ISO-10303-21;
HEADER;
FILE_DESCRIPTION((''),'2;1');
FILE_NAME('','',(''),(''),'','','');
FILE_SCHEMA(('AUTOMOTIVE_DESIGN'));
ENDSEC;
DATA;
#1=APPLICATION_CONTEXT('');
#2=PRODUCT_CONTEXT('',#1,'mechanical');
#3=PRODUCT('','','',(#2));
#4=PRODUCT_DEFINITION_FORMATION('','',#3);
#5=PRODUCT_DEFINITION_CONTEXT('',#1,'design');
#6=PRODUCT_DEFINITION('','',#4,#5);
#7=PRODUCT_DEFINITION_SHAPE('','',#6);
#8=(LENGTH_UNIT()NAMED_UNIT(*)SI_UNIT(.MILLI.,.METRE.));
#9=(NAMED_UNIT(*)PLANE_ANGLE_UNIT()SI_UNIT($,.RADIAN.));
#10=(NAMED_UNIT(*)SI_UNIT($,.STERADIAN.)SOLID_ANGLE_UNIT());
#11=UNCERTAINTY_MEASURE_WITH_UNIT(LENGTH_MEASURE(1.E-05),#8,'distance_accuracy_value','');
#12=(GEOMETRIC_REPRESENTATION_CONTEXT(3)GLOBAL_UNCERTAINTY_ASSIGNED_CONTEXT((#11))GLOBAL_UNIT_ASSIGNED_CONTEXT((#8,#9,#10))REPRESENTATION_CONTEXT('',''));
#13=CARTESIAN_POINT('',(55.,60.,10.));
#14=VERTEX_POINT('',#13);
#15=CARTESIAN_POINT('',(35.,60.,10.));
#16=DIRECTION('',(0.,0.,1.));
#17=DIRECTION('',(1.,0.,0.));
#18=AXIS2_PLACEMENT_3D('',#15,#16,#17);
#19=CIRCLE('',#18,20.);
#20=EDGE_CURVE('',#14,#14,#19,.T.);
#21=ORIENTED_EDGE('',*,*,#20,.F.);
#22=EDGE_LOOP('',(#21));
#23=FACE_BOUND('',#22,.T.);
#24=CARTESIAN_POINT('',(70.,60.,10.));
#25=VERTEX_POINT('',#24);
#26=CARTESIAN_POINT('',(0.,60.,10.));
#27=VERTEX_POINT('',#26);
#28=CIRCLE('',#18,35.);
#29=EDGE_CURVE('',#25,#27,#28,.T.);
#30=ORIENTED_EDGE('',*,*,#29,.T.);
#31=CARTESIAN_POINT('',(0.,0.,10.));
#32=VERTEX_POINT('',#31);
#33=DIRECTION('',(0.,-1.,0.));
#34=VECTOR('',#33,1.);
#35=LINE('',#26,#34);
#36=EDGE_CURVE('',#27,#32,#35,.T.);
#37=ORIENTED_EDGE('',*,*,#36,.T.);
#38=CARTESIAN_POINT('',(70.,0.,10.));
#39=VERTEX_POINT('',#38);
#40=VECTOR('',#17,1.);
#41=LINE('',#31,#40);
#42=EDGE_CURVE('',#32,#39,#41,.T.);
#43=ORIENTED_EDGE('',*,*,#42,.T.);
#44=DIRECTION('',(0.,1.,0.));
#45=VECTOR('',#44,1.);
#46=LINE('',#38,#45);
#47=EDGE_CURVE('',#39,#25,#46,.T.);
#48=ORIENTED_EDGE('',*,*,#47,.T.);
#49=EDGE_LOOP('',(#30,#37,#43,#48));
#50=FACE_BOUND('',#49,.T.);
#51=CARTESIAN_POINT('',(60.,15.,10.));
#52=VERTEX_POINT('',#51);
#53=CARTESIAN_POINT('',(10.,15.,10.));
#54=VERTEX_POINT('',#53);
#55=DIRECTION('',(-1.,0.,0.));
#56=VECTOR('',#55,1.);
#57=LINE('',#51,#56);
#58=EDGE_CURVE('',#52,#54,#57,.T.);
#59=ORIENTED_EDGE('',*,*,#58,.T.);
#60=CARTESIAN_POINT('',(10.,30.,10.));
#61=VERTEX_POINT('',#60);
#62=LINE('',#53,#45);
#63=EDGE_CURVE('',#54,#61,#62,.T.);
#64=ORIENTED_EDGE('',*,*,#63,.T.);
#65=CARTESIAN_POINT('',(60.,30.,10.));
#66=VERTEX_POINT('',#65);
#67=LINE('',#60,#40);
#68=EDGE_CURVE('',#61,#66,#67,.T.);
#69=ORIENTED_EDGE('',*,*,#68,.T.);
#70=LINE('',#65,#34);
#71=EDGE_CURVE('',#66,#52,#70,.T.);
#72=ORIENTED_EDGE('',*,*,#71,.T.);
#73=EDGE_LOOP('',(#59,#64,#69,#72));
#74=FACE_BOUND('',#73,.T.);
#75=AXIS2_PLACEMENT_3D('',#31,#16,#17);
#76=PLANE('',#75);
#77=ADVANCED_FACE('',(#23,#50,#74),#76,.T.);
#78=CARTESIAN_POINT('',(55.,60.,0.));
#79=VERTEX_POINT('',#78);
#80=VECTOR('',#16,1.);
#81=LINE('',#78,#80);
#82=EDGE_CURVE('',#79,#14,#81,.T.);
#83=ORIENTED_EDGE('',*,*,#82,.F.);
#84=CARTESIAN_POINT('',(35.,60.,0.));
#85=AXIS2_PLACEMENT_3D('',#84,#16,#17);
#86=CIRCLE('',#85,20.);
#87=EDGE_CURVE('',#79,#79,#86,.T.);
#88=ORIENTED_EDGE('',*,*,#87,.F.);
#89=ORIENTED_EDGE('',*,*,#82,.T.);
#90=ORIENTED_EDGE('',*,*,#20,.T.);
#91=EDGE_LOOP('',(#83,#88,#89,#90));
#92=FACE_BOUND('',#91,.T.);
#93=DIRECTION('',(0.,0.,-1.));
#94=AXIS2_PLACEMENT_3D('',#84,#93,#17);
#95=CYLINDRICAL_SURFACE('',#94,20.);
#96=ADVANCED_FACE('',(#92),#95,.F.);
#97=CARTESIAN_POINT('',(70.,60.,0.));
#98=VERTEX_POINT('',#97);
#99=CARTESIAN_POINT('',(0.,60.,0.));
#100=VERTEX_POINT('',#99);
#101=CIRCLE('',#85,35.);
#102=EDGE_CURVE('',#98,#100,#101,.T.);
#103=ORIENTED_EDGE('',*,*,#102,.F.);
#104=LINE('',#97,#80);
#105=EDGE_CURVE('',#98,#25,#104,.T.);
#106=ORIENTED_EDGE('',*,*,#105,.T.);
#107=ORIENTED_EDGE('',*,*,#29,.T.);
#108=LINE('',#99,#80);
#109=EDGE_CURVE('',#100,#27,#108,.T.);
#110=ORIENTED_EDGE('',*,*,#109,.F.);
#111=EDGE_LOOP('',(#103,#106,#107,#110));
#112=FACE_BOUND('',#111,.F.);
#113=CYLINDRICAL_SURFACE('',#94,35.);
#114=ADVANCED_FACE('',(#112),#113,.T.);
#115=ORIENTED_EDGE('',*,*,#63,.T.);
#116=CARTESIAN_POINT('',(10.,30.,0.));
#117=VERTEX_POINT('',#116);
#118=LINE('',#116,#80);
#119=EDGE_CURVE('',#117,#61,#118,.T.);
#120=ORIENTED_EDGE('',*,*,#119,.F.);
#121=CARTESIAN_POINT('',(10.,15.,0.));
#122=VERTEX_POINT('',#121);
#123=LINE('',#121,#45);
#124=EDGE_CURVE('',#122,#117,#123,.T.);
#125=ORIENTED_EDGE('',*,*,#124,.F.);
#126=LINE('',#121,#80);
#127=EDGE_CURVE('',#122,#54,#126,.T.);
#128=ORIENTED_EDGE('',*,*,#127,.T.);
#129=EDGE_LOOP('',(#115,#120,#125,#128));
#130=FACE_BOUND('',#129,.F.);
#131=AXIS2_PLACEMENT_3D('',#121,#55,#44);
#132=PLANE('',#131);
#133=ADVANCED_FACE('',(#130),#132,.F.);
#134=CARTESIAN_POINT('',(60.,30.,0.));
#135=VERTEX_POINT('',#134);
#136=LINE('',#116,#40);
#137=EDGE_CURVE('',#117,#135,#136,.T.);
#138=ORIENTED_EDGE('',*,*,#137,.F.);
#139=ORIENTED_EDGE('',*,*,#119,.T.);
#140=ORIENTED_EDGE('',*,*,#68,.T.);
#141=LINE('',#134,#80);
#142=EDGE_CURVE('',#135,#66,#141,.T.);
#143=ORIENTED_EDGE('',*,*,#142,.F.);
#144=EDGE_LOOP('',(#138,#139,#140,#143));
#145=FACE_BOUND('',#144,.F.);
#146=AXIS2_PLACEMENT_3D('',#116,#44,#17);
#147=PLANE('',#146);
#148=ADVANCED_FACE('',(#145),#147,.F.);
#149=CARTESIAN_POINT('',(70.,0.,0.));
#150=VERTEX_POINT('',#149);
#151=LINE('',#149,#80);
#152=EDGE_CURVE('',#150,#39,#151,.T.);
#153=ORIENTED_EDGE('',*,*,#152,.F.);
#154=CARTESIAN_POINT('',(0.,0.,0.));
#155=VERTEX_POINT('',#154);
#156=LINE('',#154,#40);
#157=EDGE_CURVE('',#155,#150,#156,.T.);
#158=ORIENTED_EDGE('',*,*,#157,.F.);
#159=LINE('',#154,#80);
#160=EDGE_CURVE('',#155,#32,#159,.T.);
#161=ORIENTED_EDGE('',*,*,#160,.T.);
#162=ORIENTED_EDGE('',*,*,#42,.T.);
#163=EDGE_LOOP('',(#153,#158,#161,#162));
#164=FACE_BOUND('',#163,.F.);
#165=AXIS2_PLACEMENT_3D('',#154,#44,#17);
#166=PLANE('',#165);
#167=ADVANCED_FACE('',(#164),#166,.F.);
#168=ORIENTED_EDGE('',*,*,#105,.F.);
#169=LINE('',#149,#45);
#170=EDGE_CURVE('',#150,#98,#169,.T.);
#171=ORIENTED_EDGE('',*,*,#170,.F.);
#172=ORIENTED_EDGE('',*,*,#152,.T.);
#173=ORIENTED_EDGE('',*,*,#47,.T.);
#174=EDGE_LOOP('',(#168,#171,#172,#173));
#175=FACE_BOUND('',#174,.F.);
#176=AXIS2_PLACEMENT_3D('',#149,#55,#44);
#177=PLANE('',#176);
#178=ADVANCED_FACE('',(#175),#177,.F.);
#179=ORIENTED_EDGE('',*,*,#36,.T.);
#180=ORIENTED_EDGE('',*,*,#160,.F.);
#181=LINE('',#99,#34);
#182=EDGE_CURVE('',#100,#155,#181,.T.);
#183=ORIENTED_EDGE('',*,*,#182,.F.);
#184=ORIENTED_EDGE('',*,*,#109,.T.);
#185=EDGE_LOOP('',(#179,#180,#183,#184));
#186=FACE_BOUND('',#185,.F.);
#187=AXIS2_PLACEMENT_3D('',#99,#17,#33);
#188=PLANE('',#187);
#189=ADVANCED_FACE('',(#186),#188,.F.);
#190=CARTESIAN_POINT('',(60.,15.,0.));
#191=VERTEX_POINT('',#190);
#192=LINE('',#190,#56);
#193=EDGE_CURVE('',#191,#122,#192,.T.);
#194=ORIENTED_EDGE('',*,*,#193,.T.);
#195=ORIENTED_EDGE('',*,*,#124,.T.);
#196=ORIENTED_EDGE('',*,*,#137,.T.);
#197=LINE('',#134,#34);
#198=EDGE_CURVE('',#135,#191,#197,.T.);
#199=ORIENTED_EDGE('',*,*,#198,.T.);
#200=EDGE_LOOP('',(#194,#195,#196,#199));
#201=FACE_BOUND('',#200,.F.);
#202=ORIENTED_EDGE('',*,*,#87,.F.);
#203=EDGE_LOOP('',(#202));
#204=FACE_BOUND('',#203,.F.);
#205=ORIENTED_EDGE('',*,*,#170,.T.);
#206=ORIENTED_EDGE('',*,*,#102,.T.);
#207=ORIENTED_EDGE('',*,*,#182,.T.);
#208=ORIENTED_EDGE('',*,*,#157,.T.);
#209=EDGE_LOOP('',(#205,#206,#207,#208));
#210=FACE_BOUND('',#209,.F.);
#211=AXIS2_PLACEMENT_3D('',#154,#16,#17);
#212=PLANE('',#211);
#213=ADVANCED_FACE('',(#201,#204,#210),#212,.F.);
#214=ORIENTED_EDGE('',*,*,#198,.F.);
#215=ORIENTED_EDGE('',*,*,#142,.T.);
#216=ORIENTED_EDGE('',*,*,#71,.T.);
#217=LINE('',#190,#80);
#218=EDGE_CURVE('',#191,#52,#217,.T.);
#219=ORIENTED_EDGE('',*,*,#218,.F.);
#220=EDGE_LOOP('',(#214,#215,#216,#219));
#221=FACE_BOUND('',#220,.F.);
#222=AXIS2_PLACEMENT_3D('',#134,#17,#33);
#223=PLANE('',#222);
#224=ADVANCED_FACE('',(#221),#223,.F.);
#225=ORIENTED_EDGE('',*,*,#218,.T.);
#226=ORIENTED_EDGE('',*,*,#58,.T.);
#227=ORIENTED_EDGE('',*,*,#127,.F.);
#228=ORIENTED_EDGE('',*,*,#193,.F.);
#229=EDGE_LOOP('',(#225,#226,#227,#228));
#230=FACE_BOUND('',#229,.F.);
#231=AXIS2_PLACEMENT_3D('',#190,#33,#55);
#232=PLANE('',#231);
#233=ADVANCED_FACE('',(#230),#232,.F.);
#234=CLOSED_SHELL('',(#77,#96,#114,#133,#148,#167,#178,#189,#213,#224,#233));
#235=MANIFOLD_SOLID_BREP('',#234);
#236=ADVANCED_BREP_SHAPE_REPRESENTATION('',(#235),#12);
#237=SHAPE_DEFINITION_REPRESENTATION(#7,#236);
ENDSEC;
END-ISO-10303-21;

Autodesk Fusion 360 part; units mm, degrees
sketch "Sketch1" plane through (0, 0, 0) normal (0, 0, 1) x (1, 0, 0)
  line L0 (0, 0) -> (70, 0)
  line L1 (70, 0) -> (70, 60)
  line L2 (0, 60) -> (0, 0)
  arc A0 (70, 60) -> (0, 60) centre (35, 60) ccw
  circle A1 centre (35, 60) radius 20
  line L3 (10, 30) -> (60, 30)
  line L4 (60, 30) -> (60, 15)
  line L5 (60, 15) -> (10, 15)
  line L6 (10, 15) -> (10, 30)
  dimension "d1" = 70
  dimension "d2" = 60
  dimension "d3" = 40
  dimension "d4" = 50
  dimension "d5" = 15
  dimension "d6" = 10
  dimension "d7" = 15
extrude "Extrude1" add sketch "Sketch1" along normal blind 10
